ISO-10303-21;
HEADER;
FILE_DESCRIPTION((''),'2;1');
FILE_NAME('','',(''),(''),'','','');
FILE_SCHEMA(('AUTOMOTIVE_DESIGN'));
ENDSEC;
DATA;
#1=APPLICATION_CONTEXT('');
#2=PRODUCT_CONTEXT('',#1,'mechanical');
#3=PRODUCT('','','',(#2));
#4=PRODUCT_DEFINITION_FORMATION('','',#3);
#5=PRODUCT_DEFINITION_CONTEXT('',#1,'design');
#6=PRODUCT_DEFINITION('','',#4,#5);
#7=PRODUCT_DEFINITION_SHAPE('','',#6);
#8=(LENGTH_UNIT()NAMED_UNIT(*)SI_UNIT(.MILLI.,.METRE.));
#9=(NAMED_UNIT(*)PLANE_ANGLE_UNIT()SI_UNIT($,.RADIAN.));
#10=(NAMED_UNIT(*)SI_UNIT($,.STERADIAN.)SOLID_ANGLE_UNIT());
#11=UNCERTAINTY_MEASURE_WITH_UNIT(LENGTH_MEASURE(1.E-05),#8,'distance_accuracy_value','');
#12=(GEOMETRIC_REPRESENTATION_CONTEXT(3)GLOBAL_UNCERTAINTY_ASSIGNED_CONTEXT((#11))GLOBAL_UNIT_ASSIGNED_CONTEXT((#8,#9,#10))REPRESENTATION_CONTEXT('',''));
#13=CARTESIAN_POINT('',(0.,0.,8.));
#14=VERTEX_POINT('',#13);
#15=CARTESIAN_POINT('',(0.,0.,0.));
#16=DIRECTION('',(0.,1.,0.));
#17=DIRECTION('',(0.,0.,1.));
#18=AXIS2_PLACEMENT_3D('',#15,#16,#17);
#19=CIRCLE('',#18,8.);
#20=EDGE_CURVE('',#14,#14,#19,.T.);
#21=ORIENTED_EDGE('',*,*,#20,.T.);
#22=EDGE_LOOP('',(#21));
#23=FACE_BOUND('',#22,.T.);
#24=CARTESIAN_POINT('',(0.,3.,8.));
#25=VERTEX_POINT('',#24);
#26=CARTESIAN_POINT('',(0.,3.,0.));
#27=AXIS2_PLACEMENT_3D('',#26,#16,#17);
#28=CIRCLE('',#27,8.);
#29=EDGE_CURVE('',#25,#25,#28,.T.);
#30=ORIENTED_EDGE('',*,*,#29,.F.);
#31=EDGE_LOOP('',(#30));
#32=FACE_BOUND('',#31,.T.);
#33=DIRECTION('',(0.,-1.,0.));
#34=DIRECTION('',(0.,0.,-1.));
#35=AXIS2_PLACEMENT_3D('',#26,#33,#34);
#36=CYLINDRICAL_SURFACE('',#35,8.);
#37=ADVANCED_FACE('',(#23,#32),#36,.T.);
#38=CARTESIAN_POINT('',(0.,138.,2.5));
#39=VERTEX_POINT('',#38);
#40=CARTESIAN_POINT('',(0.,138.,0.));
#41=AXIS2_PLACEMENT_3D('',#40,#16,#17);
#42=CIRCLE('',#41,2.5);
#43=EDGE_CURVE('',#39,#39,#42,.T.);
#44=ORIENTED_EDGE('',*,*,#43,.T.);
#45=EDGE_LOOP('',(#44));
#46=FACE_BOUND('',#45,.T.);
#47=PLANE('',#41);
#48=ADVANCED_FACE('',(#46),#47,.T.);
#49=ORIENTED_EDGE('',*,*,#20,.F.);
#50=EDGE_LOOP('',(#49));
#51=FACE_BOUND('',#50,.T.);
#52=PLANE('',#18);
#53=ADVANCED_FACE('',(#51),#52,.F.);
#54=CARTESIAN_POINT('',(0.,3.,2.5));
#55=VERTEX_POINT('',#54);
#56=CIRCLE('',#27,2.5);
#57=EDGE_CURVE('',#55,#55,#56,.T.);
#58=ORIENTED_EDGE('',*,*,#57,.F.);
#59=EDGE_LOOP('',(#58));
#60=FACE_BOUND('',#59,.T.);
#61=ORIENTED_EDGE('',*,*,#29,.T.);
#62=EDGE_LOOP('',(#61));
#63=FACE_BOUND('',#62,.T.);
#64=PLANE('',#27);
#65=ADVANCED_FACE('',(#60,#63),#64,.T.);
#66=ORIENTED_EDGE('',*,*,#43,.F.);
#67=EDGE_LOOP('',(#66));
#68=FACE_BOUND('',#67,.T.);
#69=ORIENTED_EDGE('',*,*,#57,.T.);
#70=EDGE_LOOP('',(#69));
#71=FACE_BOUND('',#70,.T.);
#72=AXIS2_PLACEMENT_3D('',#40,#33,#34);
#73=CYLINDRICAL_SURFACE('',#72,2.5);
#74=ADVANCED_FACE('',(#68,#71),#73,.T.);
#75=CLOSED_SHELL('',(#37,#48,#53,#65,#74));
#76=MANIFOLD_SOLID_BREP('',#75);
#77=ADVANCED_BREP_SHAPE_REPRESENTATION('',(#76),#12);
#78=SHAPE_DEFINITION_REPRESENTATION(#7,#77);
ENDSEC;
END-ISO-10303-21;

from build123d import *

# Parameters (mm, degrees)
SKETCH_1_R      = 8
EXTRUDE_1_DEPTH = 3
SKETCH_2_R      = 2.5
EXTRUDE_2_DEPTH = 135


with BuildPart() as part:
    # 草图1 → 凸台-拉伸1 (new body)
    with BuildSketch(Plane(origin=(0, 0, 0), x_dir=(1, 0, 0), z_dir=(0, 1, 0))):
        Circle(SKETCH_1_R)
    extrude(amount=EXTRUDE_1_DEPTH)

    # 草图2 → 凸台-拉伸2 (add)
    with BuildSketch(Plane(origin=(0, 3, 0), x_dir=(1, 0, 0), z_dir=(0, 1, 0))):
        Circle(SKETCH_2_R)
    extrude(amount=EXTRUDE_2_DEPTH)


solid = part.part
